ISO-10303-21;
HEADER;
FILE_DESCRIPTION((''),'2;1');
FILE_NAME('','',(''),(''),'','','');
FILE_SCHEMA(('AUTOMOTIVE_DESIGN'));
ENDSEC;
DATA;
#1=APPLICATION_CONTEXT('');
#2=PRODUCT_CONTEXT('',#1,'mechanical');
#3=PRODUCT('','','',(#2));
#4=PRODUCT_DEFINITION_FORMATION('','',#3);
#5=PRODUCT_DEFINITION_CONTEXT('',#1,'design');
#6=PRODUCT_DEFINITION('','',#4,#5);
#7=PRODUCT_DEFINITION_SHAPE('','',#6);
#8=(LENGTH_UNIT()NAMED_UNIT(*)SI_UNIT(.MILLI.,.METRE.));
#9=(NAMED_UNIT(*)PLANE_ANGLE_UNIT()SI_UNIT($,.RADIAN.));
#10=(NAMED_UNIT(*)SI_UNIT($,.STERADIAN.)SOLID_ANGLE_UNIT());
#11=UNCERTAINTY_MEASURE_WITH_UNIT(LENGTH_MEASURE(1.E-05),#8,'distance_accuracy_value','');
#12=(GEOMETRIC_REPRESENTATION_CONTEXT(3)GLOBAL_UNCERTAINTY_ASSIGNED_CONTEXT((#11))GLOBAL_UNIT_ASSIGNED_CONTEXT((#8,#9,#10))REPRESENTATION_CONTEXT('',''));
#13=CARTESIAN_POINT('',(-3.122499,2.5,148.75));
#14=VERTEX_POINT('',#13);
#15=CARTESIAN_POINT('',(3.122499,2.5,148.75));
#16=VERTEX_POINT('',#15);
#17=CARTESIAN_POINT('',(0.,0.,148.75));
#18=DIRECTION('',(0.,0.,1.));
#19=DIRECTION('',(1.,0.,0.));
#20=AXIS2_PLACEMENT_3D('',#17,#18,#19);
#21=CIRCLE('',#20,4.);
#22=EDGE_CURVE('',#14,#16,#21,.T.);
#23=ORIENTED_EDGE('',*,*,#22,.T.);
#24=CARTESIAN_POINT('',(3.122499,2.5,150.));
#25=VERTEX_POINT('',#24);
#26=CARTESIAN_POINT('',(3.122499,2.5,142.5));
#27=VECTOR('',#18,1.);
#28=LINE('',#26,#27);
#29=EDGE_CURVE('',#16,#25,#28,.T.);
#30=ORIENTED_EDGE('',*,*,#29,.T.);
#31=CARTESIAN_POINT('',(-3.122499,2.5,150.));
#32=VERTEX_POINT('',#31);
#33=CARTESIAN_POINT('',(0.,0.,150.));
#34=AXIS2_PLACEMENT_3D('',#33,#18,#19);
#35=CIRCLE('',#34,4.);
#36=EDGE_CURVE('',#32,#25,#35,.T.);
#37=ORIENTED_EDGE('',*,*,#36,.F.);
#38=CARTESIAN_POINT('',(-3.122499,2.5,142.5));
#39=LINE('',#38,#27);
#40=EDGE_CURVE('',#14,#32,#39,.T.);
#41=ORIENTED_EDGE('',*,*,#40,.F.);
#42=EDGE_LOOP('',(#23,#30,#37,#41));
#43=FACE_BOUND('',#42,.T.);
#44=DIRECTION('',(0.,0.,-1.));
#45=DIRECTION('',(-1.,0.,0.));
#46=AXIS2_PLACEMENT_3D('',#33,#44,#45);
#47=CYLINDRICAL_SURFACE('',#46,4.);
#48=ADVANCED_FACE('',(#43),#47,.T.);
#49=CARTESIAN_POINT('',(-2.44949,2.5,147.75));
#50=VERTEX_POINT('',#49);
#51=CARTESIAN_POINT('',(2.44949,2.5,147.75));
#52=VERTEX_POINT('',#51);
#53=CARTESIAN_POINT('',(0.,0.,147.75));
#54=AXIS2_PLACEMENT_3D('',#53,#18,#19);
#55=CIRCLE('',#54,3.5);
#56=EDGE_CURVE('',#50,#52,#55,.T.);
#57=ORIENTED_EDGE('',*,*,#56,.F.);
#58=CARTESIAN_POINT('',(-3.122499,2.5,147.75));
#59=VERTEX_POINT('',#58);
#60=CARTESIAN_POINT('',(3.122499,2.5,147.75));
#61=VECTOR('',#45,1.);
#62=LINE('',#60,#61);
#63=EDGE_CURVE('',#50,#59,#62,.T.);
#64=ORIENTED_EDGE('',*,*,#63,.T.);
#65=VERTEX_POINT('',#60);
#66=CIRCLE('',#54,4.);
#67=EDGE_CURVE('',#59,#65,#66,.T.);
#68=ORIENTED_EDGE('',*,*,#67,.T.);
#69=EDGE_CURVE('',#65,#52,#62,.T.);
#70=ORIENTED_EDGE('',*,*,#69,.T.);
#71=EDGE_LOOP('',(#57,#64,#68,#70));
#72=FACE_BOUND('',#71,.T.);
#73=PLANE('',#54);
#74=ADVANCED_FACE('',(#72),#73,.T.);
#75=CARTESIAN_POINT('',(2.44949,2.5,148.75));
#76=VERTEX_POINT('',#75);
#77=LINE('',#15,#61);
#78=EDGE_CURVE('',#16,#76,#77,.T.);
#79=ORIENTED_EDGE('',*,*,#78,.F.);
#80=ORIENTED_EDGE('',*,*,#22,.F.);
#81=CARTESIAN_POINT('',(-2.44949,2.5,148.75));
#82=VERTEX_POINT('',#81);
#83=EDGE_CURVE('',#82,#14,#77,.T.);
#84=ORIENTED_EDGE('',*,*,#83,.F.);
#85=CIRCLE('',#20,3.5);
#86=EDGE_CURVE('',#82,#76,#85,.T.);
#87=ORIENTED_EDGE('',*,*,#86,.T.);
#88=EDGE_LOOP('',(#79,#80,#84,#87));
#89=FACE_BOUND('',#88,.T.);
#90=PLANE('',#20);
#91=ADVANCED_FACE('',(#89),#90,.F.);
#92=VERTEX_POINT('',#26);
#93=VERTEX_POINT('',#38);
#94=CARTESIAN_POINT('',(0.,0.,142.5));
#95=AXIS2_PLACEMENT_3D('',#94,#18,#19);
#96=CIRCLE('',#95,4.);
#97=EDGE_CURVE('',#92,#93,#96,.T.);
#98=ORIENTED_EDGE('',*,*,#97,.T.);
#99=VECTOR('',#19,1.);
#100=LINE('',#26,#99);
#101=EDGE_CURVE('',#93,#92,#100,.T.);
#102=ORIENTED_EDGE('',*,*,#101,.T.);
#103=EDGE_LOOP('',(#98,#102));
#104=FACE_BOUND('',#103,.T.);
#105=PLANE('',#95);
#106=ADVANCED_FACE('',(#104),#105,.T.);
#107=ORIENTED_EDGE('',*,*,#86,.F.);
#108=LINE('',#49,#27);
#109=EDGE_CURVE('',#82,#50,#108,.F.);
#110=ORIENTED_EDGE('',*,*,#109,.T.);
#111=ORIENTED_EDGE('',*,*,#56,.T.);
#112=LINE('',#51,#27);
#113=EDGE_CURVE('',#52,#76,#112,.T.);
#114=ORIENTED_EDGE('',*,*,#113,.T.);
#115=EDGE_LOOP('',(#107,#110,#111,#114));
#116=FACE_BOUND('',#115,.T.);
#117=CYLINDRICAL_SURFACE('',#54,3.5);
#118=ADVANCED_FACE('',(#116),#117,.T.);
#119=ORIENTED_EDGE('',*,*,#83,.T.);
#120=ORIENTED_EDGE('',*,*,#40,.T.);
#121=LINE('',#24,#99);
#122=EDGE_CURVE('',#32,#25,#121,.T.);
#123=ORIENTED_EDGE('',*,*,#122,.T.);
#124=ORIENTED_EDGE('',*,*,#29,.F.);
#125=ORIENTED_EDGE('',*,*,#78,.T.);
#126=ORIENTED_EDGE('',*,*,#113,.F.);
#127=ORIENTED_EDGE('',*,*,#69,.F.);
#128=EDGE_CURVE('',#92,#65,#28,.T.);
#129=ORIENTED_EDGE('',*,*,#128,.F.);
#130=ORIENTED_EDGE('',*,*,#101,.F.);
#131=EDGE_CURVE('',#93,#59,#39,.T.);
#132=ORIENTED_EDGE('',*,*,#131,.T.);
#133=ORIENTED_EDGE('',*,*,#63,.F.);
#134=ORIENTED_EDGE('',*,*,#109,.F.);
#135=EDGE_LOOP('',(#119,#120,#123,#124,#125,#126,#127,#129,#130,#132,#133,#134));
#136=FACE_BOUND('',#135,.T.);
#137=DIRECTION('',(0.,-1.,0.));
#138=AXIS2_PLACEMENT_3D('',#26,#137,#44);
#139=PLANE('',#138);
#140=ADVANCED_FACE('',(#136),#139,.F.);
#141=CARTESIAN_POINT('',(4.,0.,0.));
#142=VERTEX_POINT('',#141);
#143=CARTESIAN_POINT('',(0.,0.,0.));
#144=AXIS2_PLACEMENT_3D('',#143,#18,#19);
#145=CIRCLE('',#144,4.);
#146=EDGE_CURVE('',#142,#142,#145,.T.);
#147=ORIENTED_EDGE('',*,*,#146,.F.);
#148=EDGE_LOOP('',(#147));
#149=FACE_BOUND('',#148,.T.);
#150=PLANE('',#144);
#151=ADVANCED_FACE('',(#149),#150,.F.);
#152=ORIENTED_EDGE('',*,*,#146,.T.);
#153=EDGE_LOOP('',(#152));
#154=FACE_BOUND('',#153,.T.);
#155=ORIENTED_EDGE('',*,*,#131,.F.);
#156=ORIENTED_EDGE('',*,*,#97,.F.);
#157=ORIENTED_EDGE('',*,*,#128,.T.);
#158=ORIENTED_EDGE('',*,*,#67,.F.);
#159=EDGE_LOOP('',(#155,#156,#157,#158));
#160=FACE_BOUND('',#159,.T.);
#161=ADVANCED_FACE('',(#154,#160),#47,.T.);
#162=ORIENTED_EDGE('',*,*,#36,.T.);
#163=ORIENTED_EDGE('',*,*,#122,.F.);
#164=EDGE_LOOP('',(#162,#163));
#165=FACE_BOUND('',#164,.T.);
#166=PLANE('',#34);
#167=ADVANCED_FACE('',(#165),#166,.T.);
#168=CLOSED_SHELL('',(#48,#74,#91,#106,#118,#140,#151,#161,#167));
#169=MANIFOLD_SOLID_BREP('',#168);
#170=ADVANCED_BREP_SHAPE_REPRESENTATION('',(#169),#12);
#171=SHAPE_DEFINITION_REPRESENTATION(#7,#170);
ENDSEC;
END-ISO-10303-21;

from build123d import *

# Parameters (mm, degrees)
SKETCH1_R           = 4
BOSS_EXTRUDE1_DEPTH = 150
CUT_EXTRUDE1_DEPTH  = 7.5
SKETCH3_R           = 4
SKETCH3_R_2         = 3.5
CUT_EXTRUDE2_DEPTH  = 1


with BuildPart() as part:
    # Sketch1 → Boss-Extrude1 (new body)
    with BuildSketch(Plane.XY):
        Circle(SKETCH1_R)
    extrude(amount=BOSS_EXTRUDE1_DEPTH)

    # Sketch2 → Cut-Extrude1 (cut)
    with BuildSketch(Plane.XY.offset(150)):
        with BuildLine():
            Line((3.122498999, 2.5), (-3.122498999, 2.5))
            ThreePointArc((-3.122498999, 2.5), (0, 4), (3.122498999, 2.5))
        make_face()
    extrude(amount=-CUT_EXTRUDE1_DEPTH, mode=Mode.SUBTRACT)

    # Sketch3 → Cut-Extrude2 (cut)
    with BuildSketch(Plane.XY.offset(148.75)):
        Circle(SKETCH3_R)
        Circle(SKETCH3_R_2, mode=Mode.SUBTRACT)
    extrude(amount=-CUT_EXTRUDE2_DEPTH, mode=Mode.SUBTRACT)


solid = part.part
